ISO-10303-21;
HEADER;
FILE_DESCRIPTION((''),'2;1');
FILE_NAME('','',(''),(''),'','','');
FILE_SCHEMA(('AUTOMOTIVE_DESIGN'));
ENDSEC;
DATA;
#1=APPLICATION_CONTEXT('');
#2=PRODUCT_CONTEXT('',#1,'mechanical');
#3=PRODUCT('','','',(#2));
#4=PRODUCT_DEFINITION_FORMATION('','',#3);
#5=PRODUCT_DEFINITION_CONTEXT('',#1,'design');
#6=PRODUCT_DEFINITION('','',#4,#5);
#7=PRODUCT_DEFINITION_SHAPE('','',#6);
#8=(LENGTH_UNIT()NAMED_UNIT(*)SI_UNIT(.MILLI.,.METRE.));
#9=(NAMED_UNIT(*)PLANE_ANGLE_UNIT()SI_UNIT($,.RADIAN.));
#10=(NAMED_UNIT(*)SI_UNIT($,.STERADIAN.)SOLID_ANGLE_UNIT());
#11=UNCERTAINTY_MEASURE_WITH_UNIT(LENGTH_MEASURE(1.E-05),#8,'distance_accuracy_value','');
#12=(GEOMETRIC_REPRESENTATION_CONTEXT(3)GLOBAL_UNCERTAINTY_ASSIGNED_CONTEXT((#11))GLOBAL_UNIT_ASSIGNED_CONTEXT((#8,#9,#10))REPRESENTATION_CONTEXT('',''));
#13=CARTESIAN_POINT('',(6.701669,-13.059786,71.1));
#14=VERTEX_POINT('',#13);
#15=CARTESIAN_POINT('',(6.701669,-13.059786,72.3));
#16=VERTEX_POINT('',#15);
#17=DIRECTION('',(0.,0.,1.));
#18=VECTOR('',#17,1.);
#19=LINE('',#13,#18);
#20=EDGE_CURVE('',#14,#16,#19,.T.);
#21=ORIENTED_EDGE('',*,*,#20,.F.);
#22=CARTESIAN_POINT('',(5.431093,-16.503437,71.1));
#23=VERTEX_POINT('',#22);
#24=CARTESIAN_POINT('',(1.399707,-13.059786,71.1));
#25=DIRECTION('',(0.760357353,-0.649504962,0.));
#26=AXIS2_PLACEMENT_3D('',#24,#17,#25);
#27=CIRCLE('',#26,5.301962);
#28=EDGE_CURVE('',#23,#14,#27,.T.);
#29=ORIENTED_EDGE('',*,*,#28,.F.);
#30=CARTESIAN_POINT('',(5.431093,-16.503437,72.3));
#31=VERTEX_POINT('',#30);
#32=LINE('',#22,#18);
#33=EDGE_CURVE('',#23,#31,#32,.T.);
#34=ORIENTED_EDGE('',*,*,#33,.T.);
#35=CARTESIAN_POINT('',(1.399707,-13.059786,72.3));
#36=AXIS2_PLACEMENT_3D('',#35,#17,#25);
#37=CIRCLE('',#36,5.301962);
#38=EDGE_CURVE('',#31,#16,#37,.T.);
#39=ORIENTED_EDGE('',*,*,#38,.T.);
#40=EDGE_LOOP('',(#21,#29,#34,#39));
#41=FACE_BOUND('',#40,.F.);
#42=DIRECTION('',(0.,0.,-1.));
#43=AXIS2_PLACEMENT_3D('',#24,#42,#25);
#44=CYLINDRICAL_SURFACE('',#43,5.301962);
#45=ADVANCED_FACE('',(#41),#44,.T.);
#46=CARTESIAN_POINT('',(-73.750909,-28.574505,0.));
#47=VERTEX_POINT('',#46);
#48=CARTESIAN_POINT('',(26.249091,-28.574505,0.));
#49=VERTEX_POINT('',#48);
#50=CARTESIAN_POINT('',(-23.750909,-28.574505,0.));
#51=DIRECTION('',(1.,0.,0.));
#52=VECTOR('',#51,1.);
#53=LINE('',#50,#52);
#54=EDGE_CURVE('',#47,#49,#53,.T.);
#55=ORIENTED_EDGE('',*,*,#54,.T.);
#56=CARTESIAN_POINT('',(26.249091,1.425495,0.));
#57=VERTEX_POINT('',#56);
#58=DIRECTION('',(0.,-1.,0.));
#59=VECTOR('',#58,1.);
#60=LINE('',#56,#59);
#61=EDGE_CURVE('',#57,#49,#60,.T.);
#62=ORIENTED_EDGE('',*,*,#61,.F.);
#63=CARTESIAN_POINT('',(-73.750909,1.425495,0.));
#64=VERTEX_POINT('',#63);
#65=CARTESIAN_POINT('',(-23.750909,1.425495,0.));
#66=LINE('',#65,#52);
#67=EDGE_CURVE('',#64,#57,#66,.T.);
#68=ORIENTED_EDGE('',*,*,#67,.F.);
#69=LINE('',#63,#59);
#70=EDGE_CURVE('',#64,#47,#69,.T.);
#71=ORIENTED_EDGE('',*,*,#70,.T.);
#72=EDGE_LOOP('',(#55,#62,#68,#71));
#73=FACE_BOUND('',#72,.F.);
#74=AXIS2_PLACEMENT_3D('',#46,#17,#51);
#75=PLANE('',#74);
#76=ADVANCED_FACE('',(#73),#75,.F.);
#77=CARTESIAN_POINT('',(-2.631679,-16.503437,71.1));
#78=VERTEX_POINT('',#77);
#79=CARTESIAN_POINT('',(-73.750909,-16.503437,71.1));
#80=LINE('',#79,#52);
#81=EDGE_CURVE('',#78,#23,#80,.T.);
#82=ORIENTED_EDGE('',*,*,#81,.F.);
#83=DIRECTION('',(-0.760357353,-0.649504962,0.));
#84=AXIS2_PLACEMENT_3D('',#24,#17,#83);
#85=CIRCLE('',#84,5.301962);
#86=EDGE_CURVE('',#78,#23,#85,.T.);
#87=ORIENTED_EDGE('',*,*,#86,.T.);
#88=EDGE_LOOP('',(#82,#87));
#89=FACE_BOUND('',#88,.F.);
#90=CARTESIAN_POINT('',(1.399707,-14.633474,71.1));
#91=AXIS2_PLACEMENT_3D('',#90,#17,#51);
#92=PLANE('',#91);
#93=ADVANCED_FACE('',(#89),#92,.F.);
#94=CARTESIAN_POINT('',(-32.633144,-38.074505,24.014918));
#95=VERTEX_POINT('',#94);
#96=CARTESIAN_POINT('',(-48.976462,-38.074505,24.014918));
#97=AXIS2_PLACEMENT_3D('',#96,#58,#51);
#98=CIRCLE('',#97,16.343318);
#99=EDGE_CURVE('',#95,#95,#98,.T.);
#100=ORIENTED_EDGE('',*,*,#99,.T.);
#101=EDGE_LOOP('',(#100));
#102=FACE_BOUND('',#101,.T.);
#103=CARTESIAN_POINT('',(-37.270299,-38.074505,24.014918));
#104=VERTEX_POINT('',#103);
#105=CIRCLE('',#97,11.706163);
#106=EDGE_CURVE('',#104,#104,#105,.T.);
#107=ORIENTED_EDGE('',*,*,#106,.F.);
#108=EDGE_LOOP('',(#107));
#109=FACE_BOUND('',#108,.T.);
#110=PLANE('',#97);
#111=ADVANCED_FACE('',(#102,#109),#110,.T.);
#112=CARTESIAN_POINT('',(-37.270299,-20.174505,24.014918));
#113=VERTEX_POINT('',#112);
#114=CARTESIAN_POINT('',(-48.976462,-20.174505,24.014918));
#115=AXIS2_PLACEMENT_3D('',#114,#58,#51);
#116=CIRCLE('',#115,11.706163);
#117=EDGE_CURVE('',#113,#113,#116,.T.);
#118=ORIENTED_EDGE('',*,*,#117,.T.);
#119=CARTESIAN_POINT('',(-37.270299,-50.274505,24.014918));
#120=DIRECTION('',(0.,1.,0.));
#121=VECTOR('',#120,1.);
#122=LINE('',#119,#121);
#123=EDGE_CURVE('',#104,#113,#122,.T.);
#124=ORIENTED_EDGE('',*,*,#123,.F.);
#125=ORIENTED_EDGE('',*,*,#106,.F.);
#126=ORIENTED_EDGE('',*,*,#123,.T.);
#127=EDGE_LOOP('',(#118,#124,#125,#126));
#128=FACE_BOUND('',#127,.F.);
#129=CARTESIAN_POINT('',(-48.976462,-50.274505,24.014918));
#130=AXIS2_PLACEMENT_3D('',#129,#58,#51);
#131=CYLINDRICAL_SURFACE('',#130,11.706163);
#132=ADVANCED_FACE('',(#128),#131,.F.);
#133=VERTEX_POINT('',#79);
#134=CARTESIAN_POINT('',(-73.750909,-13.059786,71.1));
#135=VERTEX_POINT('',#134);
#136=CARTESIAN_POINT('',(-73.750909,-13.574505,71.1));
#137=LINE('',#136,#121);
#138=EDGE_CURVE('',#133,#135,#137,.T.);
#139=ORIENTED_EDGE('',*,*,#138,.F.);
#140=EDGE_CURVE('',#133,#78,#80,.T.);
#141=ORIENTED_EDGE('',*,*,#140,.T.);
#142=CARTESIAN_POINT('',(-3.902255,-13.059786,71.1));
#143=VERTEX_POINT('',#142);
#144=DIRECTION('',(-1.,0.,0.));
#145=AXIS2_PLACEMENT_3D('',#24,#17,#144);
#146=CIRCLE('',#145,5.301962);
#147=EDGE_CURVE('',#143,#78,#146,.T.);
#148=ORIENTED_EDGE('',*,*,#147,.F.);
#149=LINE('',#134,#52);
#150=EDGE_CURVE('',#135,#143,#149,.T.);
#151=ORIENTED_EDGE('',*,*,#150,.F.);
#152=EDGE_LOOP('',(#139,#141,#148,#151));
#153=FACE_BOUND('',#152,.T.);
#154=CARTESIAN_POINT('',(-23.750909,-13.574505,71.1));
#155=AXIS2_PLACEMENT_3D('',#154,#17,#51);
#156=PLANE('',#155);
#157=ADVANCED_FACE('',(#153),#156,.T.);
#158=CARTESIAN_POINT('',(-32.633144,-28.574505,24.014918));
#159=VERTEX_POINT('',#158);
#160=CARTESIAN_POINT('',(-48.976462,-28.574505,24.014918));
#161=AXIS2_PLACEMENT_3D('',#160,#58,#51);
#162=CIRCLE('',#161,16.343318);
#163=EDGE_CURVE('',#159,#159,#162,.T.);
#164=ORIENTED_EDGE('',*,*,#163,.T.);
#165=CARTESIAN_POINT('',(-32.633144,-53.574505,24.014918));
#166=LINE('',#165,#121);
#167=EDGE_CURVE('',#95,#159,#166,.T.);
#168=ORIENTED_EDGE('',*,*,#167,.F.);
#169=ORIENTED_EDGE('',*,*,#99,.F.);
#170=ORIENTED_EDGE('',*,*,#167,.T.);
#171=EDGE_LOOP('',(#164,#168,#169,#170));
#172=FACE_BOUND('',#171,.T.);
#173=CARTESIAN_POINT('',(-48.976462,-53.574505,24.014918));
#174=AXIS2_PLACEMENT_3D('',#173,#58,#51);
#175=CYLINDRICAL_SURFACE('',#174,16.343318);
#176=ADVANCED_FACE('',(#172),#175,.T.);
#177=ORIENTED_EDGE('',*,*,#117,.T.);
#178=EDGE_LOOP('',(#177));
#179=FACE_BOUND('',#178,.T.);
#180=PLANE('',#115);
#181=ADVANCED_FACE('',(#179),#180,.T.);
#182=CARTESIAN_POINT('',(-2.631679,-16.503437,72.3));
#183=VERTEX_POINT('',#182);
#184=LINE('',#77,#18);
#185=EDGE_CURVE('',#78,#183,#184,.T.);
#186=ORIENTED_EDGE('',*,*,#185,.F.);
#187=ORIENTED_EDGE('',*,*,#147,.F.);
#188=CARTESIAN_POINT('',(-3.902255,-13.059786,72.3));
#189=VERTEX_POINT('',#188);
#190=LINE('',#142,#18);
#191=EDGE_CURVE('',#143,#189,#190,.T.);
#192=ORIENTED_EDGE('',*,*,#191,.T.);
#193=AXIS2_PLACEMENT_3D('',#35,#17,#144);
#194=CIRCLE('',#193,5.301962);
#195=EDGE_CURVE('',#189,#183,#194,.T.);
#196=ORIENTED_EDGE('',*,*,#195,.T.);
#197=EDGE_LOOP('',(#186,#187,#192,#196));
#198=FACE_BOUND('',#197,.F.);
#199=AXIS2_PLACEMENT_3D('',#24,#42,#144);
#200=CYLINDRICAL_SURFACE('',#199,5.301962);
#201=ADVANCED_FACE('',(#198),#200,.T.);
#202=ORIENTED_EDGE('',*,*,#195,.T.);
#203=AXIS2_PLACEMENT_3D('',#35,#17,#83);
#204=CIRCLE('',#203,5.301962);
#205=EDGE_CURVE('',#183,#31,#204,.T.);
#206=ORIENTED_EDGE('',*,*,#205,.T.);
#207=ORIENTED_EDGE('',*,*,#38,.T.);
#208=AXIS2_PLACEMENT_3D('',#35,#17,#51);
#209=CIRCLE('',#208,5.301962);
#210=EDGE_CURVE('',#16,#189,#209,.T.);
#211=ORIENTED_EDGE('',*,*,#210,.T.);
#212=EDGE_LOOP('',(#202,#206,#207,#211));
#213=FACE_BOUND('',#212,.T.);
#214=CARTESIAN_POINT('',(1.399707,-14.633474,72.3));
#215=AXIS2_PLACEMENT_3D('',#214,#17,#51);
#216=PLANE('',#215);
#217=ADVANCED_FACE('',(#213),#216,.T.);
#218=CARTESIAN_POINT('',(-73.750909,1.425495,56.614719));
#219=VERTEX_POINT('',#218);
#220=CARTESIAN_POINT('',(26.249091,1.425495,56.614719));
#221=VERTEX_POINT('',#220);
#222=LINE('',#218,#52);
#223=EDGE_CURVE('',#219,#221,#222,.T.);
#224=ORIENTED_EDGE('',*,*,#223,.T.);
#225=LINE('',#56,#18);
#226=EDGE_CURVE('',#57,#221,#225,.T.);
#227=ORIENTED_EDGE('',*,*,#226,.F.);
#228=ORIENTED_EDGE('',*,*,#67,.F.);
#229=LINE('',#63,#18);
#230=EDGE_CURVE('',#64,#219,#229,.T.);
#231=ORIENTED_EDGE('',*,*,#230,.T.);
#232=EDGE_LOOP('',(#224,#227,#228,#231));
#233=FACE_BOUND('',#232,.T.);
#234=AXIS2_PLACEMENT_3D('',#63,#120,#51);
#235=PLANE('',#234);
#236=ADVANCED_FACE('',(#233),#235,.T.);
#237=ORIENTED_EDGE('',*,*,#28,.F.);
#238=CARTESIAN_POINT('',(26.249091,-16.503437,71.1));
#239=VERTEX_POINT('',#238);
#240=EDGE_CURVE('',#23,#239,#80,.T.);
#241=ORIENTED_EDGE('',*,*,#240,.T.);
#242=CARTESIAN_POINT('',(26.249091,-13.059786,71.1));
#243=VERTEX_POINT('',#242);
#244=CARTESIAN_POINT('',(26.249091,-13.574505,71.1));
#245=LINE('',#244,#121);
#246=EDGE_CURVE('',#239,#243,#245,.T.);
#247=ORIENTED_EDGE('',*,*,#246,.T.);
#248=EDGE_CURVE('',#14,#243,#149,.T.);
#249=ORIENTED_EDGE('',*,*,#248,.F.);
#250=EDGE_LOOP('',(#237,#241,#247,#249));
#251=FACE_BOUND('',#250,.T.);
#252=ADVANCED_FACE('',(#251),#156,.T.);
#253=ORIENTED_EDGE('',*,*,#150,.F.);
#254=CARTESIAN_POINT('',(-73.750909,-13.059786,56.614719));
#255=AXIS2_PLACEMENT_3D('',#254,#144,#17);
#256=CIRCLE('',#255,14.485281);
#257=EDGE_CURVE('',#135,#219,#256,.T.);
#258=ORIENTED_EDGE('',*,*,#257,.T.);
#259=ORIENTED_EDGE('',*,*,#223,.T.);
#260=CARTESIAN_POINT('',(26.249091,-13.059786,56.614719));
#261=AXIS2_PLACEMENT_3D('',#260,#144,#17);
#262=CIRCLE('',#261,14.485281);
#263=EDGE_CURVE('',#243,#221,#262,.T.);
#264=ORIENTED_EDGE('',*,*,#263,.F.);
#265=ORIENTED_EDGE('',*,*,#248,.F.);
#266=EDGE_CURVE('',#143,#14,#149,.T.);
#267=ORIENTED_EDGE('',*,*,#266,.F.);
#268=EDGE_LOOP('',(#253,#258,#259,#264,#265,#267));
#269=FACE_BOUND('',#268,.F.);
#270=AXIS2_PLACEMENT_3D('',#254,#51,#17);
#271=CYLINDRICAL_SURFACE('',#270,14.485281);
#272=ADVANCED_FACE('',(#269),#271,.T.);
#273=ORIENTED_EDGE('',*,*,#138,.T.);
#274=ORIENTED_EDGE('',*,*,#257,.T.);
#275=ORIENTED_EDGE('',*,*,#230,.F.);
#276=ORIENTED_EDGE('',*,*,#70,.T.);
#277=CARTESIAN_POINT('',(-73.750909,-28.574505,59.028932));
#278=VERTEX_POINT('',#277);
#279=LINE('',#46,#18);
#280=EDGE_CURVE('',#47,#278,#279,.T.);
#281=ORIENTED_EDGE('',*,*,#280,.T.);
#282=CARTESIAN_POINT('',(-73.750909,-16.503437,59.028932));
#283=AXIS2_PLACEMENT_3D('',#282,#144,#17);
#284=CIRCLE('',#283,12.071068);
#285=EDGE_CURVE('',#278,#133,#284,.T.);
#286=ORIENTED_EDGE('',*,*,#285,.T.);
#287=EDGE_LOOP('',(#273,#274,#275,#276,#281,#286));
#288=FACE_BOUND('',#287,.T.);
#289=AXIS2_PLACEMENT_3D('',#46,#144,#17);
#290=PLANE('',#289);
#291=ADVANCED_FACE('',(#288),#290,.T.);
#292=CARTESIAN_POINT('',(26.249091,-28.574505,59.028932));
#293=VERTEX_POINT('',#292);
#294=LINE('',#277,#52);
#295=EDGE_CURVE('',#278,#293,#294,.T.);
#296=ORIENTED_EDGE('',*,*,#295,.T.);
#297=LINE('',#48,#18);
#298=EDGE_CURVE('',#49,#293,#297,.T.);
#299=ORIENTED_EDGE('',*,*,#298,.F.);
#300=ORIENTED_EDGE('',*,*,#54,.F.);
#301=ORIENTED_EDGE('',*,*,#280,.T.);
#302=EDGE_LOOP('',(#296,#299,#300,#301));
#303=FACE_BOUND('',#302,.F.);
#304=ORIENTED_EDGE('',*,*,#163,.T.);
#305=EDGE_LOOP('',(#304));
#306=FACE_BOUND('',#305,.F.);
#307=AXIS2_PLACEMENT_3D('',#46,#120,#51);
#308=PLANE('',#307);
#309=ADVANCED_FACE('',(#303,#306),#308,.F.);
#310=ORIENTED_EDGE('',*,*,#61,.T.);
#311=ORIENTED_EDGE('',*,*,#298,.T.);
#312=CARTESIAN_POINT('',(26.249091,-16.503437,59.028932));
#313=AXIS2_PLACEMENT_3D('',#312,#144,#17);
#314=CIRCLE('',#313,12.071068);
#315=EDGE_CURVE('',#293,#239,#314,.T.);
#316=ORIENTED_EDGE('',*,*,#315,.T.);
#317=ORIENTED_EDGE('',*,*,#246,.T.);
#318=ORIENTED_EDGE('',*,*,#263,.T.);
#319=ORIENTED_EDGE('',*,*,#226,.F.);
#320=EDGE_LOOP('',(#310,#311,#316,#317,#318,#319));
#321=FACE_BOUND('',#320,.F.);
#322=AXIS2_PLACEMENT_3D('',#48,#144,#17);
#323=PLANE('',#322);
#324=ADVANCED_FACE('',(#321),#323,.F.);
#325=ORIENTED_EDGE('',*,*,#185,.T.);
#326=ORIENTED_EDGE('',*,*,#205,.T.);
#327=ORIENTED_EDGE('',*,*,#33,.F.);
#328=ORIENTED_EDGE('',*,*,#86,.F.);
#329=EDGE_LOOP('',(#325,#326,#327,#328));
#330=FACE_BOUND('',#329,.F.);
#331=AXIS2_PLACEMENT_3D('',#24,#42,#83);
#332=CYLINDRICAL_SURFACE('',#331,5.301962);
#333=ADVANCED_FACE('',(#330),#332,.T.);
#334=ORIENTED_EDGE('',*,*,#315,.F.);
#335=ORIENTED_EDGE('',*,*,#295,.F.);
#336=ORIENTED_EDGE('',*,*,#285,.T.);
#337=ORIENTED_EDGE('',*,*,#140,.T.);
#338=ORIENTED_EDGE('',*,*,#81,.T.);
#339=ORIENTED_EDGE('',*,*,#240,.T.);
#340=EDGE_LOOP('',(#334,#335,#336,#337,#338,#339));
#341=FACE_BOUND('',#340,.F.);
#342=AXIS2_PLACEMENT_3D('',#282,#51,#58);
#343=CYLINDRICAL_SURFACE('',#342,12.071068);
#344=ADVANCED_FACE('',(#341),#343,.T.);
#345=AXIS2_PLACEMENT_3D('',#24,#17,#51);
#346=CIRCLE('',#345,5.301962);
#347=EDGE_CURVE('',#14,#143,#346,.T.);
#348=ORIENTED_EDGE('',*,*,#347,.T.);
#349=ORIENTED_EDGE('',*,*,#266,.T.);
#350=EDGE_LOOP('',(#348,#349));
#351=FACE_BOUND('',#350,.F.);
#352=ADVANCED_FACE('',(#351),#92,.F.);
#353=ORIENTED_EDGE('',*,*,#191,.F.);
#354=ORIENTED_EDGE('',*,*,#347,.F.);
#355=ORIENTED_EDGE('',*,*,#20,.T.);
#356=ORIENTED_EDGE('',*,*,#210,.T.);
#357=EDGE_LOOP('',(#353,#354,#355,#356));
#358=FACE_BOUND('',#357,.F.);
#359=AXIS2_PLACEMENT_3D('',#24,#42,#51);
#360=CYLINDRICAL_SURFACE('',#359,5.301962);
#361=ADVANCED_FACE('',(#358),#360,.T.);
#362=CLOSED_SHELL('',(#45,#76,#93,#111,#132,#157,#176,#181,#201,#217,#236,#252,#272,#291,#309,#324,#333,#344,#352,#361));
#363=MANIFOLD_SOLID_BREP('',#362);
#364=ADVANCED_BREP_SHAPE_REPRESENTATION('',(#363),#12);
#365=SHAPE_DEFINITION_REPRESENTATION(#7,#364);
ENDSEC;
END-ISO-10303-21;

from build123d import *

# Parameters (mm, degrees)
F0_W      = 100
F0_H      = 30
F1_DEPTH  = 71.1
F2_R      = 12.0710678119
F3_R      = 14.4852813742
F4_R      = 16.3433184156
F5_DEPTH  = 14.5
F6_R      = 11.1772790222
F7_DEPTH  = 5.8
F8_R      = 11.70616328
F9_DEPTH  = 7.2
F10_DEPTH = 30.1
F11_DEPTH = 25
F12_DEPTH = 25
F13_DEPTH = 5
F15_DEPTH = 1.2


with BuildPart() as f1:
    # F0 (on Top) → F1 (new body)
    with BuildSketch(Plane.XY):
        with Locations((-23.7509091896, -13.5745047592)):
            Rectangle(F0_W, F0_H)
    extrude(amount=F1_DEPTH)

    # F2
    f2_edges = [f1.edges().sort_by_distance(p)[0] for p in [
        (-23.750909, -28.574505, 71.1),
    ]]
    fillet(f2_edges, radius=F2_R)

    # F3
    f3_edges = [f1.edges().sort_by_distance(p)[0] for p in [
        (-23.750909, 1.425495, 71.1),
    ]]
    fillet(f3_edges, radius=F3_R)

    # F4 (on face) → F5 (join)
    with BuildSketch(Plane.XZ.offset(28.5745047592)):
        with Locations((-48.9764623344, 24.0149181336)):
            Circle(F4_R)
    extrude(amount=F5_DEPTH)

    # F6 (on face) → F7 (join)
    with BuildSketch(Plane.XZ.offset(43.0745047592)):
        with Locations((-48.9764623344, 24.0149181336)):
            Circle(F6_R)
    extrude(amount=-F7_DEPTH)

    # F8 (on face) → F9 (join)
    with BuildSketch(Plane.XZ.offset(43.0745047592)):
        with Locations((-48.9764623344, 24.0149181336)):
            Circle(F8_R)
    extrude(amount=F9_DEPTH)

    # F10 (cut): a face of the model
    f10_faces = [f1.faces().sort_by_distance(p)[0] for p in [
        (-48.9764623344, -50.2745047592, 24.0149181336),
    ]]
    extrude(f10_faces, amount=-F10_DEPTH, mode=Mode.SUBTRACT)

    # F11 (add): a face of the model
    f11_faces = [f1.faces().sort_by_distance(p)[0] for p in [
        (-19.5707016042, -28.5745047592, 30.4258138837),
    ]]
    extrude(f11_faces, amount=F11_DEPTH)

    # F12 (cut): a face of the model
    f12_faces = [f1.faces().sort_by_distance(p)[0] for p in [
        (-19.5707016042, -53.5745047592, 30.4258138837),
    ]]
    extrude(f12_faces, amount=-F12_DEPTH, mode=Mode.SUBTRACT)

    # F13 (cut): a face of the model
    f13_faces = [f1.faces().sort_by_distance(p)[0] for p in [
        (-64.8575218988, -43.0745047592, 24.0149181336),
    ]]
    extrude(f13_faces, amount=-F13_DEPTH, mode=Mode.SUBTRACT)

    # F14 (on face) → F15 (join)
    with BuildSketch(Plane.XY.offset(71.1)):
        with BuildLine():
            ThreePointArc((5.4310929405, -16.5034369473), (6.3738933306, -14.8950718744), (6.7016692178, -13.0597861334))
            Line((6.7016692178, -13.0597861334), (-3.9022553523, -13.0597861334))
            ThreePointArc((-3.9022553523, -13.0597861334), (-3.5744794652, -14.8950718744), (-2.6316790751, -16.5034369473))
            Line((-2.6316790751, -16.5034369473), (5.4310929405, -16.5034369473))
        make_face()
        with BuildLine():
            Line((-3.9022553523, -13.0597861334), (6.7016692178, -13.0597861334))
            ThreePointArc((6.7016692178, -13.0597861334), (1.3997069327, -7.7578238484), (-3.9022553523, -13.0597861334))
        make_face()
        with BuildLine():
            ThreePointArc((-2.6316790751, -16.5034369473), (1.3997069327, -18.3617484184), (5.4310929405, -16.5034369473))
            Line((5.4310929405, -16.5034369473), (-2.6316790751, -16.5034369473))
        make_face()
    extrude(amount=F15_DEPTH)


solid = f1.part
